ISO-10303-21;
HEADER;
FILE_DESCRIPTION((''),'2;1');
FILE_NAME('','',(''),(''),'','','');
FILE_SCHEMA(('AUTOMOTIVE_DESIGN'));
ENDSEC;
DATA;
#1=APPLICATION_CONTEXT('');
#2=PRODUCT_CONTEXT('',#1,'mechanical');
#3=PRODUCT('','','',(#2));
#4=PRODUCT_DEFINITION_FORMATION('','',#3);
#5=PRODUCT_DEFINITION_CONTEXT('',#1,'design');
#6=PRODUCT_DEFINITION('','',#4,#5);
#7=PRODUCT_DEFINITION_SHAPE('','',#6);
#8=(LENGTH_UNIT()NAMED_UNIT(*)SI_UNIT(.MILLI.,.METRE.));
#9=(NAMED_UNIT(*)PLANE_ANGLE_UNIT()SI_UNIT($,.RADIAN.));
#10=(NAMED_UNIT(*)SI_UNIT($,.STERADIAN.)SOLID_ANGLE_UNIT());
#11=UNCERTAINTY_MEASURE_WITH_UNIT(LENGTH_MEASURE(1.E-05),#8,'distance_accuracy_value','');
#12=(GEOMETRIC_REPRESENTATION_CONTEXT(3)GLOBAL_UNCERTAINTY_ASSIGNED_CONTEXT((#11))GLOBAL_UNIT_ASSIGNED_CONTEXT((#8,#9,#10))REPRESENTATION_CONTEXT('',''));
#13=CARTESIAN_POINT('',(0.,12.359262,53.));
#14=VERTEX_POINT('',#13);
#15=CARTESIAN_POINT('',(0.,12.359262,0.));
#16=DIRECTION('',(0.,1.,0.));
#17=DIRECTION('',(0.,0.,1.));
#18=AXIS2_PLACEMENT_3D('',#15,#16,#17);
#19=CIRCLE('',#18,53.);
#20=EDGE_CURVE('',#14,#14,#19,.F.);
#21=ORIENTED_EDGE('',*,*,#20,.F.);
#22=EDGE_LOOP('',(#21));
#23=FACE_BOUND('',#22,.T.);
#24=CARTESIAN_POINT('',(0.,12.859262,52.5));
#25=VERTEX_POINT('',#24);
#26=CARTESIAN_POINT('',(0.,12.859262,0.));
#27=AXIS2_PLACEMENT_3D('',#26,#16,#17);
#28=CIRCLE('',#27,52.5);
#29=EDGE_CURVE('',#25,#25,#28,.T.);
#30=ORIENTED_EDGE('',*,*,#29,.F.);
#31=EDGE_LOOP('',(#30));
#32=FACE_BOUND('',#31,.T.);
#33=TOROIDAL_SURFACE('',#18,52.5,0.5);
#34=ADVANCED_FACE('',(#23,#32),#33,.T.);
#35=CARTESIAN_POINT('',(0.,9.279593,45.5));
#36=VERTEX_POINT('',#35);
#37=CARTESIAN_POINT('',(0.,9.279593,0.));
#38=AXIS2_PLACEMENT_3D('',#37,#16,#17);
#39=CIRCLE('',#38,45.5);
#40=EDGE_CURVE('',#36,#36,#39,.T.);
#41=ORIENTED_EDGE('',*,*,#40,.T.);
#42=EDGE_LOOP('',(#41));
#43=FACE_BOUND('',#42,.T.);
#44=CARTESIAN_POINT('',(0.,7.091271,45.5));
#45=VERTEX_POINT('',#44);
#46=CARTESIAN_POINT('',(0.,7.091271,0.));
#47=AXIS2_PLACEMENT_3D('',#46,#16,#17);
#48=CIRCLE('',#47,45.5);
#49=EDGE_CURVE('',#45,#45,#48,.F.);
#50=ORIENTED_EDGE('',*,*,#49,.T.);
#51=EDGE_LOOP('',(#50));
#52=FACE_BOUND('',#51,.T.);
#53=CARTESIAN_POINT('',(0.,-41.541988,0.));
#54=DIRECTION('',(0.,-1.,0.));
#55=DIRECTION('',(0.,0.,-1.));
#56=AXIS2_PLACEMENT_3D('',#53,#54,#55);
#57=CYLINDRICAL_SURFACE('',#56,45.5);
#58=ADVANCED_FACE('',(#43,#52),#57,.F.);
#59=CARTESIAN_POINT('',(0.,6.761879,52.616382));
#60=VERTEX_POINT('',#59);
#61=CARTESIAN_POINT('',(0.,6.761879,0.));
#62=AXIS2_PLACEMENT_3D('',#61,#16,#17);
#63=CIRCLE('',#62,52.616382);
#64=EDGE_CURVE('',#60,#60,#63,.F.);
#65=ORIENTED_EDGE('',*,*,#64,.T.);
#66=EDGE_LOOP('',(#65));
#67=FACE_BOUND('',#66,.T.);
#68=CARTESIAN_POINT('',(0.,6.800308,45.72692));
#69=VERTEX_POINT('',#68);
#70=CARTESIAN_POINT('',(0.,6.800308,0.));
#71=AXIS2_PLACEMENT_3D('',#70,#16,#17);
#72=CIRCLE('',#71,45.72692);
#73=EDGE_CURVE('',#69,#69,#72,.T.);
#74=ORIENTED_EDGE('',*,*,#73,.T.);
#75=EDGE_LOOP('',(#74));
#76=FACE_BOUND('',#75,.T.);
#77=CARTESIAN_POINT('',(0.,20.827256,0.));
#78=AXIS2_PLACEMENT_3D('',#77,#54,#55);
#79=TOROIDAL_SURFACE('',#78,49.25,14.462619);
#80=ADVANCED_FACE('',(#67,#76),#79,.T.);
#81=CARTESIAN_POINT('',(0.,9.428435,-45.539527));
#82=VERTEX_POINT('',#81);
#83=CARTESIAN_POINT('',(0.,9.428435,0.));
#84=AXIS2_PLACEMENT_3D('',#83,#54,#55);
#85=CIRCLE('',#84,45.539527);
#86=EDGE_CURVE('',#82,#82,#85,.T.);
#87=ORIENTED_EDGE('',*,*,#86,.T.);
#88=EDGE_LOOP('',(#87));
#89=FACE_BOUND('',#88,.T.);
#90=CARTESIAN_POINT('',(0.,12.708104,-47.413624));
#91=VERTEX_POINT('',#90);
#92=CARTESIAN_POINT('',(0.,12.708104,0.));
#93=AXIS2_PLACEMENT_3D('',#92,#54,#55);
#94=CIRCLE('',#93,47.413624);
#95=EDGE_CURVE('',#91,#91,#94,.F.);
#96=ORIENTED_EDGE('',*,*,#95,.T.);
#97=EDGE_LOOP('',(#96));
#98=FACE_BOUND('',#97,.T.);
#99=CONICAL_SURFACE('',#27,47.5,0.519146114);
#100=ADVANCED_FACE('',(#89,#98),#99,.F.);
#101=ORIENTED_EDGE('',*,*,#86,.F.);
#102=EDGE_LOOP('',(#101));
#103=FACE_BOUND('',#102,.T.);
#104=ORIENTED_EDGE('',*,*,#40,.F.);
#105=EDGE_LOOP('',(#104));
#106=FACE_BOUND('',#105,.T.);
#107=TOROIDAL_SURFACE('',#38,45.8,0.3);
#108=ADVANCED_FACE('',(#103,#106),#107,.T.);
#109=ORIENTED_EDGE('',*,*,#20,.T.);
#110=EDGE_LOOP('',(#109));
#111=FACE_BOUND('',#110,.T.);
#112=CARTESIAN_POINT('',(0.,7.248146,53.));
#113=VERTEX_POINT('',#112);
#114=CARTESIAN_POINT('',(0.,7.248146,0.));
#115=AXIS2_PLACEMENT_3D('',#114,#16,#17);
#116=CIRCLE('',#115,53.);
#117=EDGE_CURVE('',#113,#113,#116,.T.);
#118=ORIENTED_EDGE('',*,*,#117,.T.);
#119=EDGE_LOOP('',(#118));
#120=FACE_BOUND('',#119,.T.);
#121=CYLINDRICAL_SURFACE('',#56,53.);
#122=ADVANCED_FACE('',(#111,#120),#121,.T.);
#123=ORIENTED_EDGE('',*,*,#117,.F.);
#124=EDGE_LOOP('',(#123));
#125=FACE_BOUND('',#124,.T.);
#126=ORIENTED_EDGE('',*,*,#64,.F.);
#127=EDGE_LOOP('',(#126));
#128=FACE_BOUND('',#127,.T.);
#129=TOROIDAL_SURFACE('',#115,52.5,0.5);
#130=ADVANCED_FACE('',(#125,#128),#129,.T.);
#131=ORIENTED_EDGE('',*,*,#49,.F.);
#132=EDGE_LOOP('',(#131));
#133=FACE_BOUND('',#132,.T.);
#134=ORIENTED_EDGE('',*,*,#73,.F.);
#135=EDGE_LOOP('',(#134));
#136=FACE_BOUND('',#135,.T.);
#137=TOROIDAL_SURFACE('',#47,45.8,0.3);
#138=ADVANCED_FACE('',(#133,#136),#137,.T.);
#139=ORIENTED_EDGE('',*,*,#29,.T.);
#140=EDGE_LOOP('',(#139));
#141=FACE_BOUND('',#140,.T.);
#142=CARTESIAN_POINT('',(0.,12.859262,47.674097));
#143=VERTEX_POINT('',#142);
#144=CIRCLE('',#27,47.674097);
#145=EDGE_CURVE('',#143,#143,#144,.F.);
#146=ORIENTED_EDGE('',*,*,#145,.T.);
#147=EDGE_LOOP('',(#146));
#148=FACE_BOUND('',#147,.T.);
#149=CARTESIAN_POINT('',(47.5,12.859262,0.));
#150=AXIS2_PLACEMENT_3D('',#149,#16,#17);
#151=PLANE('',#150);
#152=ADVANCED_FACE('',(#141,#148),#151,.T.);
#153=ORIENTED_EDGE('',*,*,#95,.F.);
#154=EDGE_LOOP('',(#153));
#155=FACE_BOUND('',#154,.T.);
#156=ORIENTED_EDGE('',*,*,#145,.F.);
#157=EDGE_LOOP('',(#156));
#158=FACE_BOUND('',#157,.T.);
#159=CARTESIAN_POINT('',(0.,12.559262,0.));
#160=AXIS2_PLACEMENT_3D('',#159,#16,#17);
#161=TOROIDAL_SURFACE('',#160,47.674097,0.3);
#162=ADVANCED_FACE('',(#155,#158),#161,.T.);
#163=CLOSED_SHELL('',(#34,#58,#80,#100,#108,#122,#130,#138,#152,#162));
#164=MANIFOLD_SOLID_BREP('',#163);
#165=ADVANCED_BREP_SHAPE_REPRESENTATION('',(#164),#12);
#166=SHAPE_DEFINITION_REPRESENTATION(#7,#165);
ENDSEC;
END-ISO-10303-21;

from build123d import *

# Parameters (mm, degrees)
FILETE1_R = 0.5
FILETE2_R = 0.3


with BuildPart() as part:
    # Esboço1 → Revolução1 (revolve)
    with BuildSketch(Plane.XY, mode=Mode.PRIVATE) as revolu_o1_sk:
        with BuildLine():
            Line((45.5, 6.859262227), (45.5, 9.359262227))
            Line((45.5, 9.359262227), (47.5, 12.859262227))
            Line((47.5, 12.859262227), (53, 12.859262227))
            Line((53, 12.859262227), (53, 6.859262227))
            ThreePointArc((53, 6.859262227), (49.25, 6.364636944), (45.5, 6.859262227))
        make_face()
    revolve(revolu_o1_sk.sketch.rotate(Axis((0, -41.541988481, 0), (0, 1, 0)), 90), axis=Axis((0, -41.541988481, 0), (0, 1, 0)))

    # Filete1
    filete1_edges = [part.edges().sort_by_distance(p)[0] for p in [
        (0, 12.859262227, 53),
        (0, 6.859262227, 53),
    ]]
    fillet(filete1_edges, radius=FILETE1_R)

    # Filete2
    filete2_edges = [part.edges().sort_by_distance(p)[0] for p in [
        (0, 6.859262227, 45.5),
        (0, 9.359262227, 45.5),
        (0, 12.859262227, 47.5),
    ]]
    fillet(filete2_edges, radius=FILETE2_R)


solid = part.part
